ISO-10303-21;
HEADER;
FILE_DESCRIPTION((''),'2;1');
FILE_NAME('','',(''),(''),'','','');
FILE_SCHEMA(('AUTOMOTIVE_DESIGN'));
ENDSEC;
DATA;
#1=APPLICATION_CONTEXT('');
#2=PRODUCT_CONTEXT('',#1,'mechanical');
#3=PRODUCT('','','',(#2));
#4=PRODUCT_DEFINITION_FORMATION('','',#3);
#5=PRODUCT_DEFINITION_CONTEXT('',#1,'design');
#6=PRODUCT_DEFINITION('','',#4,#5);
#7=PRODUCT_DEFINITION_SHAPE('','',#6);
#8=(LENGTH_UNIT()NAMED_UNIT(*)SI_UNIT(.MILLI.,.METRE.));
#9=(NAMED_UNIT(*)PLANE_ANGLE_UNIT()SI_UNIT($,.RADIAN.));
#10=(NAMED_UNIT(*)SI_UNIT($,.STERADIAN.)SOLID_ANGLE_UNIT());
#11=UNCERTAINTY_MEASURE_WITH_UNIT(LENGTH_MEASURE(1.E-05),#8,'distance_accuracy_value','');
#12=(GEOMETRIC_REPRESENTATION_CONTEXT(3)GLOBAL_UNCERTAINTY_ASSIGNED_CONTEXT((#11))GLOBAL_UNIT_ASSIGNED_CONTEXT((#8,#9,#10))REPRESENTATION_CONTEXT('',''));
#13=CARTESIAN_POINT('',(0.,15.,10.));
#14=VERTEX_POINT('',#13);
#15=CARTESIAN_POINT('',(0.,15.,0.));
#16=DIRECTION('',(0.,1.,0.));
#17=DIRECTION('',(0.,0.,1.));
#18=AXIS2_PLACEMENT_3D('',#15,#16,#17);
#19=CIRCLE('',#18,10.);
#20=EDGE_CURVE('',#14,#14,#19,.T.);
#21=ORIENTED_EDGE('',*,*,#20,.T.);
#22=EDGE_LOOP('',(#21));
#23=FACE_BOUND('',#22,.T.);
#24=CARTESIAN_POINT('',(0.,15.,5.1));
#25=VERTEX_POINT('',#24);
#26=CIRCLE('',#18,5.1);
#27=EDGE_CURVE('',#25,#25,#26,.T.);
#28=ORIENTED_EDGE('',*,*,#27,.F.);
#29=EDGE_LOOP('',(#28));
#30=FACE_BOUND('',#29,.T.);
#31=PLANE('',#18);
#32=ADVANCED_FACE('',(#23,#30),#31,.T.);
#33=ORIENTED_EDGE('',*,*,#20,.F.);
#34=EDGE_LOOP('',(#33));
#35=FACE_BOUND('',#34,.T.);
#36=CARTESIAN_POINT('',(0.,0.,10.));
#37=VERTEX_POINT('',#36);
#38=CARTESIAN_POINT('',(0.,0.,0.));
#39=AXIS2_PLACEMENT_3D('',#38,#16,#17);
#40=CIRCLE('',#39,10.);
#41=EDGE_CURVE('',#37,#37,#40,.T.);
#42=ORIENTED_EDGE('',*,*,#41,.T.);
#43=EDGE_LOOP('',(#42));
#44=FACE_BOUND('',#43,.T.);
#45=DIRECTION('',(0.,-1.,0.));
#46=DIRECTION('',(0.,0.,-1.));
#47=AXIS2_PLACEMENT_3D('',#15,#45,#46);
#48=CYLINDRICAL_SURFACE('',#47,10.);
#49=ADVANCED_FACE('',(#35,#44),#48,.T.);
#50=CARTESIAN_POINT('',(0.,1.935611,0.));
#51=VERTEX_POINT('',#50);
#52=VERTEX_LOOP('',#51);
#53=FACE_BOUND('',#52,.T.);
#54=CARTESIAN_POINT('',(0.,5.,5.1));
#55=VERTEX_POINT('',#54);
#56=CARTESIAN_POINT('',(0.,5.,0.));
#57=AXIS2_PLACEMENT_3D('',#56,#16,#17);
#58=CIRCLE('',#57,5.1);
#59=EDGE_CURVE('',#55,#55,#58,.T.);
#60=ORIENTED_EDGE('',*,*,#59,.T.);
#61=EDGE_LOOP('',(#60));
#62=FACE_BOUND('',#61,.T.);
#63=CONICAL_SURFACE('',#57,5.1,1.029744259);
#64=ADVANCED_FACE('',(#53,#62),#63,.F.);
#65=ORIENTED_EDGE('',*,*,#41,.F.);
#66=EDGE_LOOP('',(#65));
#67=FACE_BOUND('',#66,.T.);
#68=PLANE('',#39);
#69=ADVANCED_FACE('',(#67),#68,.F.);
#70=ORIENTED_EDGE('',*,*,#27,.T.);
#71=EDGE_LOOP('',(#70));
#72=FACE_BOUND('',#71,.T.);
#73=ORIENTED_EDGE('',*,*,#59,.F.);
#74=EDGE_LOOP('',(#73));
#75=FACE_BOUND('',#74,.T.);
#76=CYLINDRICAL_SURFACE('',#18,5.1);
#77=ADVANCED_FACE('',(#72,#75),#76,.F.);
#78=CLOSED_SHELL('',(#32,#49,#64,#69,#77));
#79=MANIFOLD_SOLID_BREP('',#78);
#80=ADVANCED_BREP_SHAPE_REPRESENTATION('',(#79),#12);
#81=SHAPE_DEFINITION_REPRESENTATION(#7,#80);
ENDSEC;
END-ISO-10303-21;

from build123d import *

# Parameters (mm, degrees)
SKIZZE1_R                 = 10
ZYL_DEPTH                 = 15
M12_GEWINDEBOHRUNG1_D     = 10.2
M12_GEWINDEBOHRUNG1_DEPTH = 10
M12_GEWINDEBOHRUNG1_TIP   = 3.064389157


with BuildPart() as part:
    # Skizze1 → Zyl (new body)
    with BuildSketch(Plane(origin=(0, 0, 0), x_dir=(1, 0, 0), z_dir=(0, 1, 0))):
        with Locations(Location((0, 0, 0), (0, 0, 270))):  # turned: the seam where the file's is
            Circle(SKIZZE1_R)
    extrude(amount=ZYL_DEPTH)

    # M12 Gewindebohrung1
    with Locations(Plane(origin=(0, 15, 0), x_dir=(1, 0, 0), z_dir=(0, 1, 0))):
        with Locations((0, 0)):
            Hole(M12_GEWINDEBOHRUNG1_D / 2, depth=M12_GEWINDEBOHRUNG1_DEPTH)
            with Locations((0, 0, -(M12_GEWINDEBOHRUNG1_DEPTH + M12_GEWINDEBOHRUNG1_TIP / 2))):  # 118° drill point
                Cone(0, M12_GEWINDEBOHRUNG1_D / 2, M12_GEWINDEBOHRUNG1_TIP, mode=Mode.SUBTRACT)


solid = part.part
